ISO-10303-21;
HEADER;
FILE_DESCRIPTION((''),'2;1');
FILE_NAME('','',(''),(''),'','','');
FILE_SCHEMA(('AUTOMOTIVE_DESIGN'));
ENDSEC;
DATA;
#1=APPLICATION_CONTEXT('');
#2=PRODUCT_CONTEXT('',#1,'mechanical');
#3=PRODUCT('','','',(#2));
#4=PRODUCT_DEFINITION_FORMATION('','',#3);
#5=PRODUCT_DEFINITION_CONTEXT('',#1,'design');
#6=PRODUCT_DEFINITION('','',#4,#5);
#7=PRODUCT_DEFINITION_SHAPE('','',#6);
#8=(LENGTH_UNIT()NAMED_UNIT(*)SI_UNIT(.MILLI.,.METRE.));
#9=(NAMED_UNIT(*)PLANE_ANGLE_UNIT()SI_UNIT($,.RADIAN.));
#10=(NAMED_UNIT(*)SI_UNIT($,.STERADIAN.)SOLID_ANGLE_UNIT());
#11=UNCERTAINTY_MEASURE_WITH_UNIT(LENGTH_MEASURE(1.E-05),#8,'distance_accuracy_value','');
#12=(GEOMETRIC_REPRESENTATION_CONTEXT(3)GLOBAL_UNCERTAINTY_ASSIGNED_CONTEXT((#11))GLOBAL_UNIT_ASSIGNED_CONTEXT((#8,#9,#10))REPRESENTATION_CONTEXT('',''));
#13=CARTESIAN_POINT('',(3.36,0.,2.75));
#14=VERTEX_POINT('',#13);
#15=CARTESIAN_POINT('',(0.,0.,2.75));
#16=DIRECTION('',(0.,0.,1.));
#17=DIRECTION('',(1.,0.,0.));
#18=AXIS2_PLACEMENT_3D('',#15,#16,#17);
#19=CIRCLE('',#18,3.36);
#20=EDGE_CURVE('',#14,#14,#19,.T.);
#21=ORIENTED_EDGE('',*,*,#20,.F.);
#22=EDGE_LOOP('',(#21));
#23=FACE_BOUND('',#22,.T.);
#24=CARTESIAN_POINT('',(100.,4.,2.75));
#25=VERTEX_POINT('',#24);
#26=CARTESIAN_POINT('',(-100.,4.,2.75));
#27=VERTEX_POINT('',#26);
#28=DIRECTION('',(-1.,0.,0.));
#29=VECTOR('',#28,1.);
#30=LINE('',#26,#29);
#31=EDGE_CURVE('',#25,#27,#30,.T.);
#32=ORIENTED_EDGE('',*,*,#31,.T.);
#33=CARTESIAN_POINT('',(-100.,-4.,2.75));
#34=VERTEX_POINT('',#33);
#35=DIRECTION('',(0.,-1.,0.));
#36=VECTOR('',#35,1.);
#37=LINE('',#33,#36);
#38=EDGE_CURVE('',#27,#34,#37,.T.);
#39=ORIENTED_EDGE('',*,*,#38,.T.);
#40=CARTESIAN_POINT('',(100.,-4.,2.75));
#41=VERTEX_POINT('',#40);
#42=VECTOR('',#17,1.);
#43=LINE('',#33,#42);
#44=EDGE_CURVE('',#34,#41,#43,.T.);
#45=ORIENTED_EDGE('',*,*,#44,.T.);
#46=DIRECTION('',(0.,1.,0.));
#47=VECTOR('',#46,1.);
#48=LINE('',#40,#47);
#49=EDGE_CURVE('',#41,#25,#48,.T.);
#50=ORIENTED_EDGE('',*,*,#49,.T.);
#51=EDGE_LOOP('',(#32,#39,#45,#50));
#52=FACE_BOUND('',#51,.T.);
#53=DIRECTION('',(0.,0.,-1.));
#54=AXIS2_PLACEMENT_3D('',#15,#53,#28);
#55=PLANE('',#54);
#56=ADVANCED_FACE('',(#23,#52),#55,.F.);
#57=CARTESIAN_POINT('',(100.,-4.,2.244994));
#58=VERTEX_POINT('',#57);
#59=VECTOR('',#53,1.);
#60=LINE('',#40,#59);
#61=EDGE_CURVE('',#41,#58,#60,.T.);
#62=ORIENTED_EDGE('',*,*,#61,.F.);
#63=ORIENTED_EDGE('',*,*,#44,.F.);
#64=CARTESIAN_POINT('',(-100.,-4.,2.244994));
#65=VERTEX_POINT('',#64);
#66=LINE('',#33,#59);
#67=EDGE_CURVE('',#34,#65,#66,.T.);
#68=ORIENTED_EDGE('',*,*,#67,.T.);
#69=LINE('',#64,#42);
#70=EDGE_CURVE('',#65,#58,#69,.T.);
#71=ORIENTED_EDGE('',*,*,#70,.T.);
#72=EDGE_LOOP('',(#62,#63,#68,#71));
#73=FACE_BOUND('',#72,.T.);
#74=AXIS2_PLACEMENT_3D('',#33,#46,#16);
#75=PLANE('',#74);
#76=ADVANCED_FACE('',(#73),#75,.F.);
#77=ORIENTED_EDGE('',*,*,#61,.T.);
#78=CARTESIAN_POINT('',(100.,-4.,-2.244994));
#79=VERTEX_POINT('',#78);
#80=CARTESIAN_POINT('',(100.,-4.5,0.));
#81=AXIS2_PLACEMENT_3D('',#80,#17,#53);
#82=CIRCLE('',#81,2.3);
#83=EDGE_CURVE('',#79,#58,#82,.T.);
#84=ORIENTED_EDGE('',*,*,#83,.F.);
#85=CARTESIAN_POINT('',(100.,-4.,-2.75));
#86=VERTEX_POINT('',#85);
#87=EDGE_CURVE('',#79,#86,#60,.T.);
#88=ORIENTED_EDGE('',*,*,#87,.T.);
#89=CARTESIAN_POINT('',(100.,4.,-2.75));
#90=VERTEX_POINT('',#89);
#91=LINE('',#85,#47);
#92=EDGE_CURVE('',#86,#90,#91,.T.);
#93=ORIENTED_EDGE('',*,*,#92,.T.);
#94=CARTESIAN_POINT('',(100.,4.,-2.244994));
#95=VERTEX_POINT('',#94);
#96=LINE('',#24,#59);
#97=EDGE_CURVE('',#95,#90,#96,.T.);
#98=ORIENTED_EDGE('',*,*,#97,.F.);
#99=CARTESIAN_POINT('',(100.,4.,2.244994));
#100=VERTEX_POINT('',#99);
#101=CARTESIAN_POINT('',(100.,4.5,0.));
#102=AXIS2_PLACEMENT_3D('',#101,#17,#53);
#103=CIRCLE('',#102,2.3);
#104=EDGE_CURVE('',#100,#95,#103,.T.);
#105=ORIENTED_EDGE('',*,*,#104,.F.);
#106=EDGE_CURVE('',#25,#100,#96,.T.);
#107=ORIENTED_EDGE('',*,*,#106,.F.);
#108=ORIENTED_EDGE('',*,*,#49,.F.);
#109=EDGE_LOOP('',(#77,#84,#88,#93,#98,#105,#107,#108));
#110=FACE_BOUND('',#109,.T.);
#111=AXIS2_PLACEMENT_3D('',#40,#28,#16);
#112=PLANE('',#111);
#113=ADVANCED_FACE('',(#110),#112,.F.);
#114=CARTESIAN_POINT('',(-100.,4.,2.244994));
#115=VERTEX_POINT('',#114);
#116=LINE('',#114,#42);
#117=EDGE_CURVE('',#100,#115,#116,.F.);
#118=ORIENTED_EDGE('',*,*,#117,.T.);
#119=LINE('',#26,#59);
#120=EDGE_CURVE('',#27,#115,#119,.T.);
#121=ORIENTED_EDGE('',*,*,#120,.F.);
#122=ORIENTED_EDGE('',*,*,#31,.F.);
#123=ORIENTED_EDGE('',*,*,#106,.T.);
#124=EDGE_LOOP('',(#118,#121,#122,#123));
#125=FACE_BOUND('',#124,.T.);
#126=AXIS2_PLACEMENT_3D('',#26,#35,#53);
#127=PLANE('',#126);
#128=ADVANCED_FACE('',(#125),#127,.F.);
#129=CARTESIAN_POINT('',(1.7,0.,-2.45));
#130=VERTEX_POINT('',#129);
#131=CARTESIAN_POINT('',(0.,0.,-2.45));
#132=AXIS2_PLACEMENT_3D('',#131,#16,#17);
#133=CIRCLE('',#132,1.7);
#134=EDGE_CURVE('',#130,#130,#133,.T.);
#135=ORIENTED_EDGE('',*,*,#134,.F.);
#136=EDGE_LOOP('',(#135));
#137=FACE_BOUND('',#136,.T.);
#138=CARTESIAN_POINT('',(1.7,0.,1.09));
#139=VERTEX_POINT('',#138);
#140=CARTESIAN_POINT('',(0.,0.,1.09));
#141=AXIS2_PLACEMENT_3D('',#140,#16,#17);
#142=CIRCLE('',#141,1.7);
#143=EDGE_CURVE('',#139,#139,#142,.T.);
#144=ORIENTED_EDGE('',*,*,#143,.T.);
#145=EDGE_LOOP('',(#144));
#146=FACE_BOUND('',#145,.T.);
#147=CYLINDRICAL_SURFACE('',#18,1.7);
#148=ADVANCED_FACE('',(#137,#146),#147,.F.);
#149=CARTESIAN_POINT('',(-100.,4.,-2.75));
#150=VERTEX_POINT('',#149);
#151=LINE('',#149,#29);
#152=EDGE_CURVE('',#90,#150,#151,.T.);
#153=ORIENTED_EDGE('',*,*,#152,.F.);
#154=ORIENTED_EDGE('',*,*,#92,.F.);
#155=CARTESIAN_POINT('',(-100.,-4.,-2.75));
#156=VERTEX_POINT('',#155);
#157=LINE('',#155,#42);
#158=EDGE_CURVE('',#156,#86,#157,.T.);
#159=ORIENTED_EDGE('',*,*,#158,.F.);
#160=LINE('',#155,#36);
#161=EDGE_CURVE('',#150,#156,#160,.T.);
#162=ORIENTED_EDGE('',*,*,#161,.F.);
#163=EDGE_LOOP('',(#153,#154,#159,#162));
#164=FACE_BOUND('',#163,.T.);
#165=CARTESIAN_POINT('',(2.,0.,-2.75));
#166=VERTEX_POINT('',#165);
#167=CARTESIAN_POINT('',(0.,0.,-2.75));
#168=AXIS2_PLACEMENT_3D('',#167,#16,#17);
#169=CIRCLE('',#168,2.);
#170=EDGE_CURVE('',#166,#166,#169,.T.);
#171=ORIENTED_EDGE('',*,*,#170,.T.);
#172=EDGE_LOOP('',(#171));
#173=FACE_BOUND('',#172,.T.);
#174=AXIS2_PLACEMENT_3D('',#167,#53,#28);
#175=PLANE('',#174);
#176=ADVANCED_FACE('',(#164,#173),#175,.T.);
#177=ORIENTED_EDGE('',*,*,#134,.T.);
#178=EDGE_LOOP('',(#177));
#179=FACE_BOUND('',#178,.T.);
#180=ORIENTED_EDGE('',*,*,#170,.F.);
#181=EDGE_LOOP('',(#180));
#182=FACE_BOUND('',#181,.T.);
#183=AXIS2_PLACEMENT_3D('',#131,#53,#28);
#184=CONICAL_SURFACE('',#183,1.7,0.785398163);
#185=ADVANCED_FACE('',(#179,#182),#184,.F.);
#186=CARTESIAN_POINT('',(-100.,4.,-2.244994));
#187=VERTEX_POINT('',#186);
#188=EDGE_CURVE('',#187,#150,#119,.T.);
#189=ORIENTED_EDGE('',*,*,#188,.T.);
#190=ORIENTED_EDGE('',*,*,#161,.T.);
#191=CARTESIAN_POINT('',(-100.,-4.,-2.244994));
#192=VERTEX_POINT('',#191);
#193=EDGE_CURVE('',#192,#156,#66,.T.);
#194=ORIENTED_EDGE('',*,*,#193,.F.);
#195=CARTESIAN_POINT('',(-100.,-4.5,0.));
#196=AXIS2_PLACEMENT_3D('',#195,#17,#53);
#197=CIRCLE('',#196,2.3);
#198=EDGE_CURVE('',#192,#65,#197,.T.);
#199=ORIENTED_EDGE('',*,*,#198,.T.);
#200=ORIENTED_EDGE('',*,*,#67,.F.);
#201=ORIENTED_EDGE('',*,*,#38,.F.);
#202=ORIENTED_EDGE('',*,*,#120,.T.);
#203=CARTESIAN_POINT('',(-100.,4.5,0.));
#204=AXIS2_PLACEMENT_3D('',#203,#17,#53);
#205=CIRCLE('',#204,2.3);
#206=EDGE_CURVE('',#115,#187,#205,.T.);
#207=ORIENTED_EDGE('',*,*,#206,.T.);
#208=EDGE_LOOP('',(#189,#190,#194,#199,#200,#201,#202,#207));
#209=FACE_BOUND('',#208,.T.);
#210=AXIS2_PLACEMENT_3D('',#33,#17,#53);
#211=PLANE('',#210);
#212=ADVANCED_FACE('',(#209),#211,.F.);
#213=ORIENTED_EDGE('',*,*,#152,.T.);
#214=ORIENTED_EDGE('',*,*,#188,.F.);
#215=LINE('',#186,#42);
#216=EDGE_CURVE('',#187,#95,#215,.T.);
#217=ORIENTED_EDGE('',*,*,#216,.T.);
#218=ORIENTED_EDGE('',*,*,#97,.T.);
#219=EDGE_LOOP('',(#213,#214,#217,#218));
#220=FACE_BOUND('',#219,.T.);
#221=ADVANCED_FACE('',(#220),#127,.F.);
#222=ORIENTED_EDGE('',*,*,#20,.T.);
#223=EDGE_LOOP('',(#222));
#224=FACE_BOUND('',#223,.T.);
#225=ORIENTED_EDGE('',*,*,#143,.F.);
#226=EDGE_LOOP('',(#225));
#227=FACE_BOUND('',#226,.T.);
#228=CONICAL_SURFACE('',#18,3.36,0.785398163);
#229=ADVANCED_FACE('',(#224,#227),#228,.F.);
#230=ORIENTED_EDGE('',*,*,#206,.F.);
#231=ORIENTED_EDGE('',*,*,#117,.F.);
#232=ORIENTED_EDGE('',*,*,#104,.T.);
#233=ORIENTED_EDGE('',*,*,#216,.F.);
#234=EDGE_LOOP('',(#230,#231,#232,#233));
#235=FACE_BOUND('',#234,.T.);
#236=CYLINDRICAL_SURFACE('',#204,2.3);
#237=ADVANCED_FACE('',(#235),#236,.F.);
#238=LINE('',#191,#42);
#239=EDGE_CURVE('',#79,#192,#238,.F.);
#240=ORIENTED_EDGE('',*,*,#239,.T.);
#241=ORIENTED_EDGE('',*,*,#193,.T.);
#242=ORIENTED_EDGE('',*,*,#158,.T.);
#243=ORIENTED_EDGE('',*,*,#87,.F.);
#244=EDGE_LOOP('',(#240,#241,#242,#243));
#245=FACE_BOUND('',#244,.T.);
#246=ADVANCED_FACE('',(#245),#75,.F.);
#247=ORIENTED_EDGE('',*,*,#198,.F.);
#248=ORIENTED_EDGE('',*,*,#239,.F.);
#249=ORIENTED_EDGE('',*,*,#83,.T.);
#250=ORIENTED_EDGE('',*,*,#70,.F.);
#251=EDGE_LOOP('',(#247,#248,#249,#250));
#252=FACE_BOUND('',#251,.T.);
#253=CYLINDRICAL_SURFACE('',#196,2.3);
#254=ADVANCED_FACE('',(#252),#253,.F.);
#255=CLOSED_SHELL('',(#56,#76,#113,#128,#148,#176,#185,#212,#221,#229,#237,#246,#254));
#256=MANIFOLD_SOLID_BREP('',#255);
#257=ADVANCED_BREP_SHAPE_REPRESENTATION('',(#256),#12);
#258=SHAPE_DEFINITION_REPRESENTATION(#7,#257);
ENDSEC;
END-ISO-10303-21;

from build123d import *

# Parameters (mm, degrees)
SKETCH1_W               = 200
SKETCH1_H               = 8
BOSS_EXTRUDE1_DEPTH     = 2.75
BEARING_CUTS_DEPTH      = 101.117743183
BEARING_CUTS_DEPTH_BACK = 101.117743183
SKETCH2_R               = 2.3


with BuildPart() as part:
    # Sketch1 → Boss-Extrude1 (new, symmetric)
    with BuildSketch(Plane.XY):
        Rectangle(SKETCH1_W, SKETCH1_H)
    extrude(amount=BOSS_EXTRUDE1_DEPTH, both=True)

    # Sketch2 → Bearing Cuts (cut, two sides: drawn at the far end of the back side and taken through both)
    with BuildSketch(Plane(origin=(0, 0, 0), x_dir=(0, 0, -1), z_dir=(1, 0, 0)).offset(-BEARING_CUTS_DEPTH_BACK)):
        with Locations((0, 4.5)):
            Circle(SKETCH2_R)
        with Locations((0, -4.5)):
            Circle(SKETCH2_R)
    extrude(amount=BEARING_CUTS_DEPTH + BEARING_CUTS_DEPTH_BACK, mode=Mode.SUBTRACT)

    # Sketch5 → CSK for M3 SFHCS1 (revolve, cut)
    with BuildSketch(Plane(origin=(0, 0, 2.75), x_dir=(0, -1, 0), z_dir=(1, 0, 0))):
        Polygon((0, 0), (0, 5.5), (2, 5.5), (1.7, 5.2), (1.7, 1.66), (3.36, 0), align=None)
    revolve(axis=Axis((0, 0, 9.1), (0, 0, -1)), mode=Mode.SUBTRACT)


solid = part.part
